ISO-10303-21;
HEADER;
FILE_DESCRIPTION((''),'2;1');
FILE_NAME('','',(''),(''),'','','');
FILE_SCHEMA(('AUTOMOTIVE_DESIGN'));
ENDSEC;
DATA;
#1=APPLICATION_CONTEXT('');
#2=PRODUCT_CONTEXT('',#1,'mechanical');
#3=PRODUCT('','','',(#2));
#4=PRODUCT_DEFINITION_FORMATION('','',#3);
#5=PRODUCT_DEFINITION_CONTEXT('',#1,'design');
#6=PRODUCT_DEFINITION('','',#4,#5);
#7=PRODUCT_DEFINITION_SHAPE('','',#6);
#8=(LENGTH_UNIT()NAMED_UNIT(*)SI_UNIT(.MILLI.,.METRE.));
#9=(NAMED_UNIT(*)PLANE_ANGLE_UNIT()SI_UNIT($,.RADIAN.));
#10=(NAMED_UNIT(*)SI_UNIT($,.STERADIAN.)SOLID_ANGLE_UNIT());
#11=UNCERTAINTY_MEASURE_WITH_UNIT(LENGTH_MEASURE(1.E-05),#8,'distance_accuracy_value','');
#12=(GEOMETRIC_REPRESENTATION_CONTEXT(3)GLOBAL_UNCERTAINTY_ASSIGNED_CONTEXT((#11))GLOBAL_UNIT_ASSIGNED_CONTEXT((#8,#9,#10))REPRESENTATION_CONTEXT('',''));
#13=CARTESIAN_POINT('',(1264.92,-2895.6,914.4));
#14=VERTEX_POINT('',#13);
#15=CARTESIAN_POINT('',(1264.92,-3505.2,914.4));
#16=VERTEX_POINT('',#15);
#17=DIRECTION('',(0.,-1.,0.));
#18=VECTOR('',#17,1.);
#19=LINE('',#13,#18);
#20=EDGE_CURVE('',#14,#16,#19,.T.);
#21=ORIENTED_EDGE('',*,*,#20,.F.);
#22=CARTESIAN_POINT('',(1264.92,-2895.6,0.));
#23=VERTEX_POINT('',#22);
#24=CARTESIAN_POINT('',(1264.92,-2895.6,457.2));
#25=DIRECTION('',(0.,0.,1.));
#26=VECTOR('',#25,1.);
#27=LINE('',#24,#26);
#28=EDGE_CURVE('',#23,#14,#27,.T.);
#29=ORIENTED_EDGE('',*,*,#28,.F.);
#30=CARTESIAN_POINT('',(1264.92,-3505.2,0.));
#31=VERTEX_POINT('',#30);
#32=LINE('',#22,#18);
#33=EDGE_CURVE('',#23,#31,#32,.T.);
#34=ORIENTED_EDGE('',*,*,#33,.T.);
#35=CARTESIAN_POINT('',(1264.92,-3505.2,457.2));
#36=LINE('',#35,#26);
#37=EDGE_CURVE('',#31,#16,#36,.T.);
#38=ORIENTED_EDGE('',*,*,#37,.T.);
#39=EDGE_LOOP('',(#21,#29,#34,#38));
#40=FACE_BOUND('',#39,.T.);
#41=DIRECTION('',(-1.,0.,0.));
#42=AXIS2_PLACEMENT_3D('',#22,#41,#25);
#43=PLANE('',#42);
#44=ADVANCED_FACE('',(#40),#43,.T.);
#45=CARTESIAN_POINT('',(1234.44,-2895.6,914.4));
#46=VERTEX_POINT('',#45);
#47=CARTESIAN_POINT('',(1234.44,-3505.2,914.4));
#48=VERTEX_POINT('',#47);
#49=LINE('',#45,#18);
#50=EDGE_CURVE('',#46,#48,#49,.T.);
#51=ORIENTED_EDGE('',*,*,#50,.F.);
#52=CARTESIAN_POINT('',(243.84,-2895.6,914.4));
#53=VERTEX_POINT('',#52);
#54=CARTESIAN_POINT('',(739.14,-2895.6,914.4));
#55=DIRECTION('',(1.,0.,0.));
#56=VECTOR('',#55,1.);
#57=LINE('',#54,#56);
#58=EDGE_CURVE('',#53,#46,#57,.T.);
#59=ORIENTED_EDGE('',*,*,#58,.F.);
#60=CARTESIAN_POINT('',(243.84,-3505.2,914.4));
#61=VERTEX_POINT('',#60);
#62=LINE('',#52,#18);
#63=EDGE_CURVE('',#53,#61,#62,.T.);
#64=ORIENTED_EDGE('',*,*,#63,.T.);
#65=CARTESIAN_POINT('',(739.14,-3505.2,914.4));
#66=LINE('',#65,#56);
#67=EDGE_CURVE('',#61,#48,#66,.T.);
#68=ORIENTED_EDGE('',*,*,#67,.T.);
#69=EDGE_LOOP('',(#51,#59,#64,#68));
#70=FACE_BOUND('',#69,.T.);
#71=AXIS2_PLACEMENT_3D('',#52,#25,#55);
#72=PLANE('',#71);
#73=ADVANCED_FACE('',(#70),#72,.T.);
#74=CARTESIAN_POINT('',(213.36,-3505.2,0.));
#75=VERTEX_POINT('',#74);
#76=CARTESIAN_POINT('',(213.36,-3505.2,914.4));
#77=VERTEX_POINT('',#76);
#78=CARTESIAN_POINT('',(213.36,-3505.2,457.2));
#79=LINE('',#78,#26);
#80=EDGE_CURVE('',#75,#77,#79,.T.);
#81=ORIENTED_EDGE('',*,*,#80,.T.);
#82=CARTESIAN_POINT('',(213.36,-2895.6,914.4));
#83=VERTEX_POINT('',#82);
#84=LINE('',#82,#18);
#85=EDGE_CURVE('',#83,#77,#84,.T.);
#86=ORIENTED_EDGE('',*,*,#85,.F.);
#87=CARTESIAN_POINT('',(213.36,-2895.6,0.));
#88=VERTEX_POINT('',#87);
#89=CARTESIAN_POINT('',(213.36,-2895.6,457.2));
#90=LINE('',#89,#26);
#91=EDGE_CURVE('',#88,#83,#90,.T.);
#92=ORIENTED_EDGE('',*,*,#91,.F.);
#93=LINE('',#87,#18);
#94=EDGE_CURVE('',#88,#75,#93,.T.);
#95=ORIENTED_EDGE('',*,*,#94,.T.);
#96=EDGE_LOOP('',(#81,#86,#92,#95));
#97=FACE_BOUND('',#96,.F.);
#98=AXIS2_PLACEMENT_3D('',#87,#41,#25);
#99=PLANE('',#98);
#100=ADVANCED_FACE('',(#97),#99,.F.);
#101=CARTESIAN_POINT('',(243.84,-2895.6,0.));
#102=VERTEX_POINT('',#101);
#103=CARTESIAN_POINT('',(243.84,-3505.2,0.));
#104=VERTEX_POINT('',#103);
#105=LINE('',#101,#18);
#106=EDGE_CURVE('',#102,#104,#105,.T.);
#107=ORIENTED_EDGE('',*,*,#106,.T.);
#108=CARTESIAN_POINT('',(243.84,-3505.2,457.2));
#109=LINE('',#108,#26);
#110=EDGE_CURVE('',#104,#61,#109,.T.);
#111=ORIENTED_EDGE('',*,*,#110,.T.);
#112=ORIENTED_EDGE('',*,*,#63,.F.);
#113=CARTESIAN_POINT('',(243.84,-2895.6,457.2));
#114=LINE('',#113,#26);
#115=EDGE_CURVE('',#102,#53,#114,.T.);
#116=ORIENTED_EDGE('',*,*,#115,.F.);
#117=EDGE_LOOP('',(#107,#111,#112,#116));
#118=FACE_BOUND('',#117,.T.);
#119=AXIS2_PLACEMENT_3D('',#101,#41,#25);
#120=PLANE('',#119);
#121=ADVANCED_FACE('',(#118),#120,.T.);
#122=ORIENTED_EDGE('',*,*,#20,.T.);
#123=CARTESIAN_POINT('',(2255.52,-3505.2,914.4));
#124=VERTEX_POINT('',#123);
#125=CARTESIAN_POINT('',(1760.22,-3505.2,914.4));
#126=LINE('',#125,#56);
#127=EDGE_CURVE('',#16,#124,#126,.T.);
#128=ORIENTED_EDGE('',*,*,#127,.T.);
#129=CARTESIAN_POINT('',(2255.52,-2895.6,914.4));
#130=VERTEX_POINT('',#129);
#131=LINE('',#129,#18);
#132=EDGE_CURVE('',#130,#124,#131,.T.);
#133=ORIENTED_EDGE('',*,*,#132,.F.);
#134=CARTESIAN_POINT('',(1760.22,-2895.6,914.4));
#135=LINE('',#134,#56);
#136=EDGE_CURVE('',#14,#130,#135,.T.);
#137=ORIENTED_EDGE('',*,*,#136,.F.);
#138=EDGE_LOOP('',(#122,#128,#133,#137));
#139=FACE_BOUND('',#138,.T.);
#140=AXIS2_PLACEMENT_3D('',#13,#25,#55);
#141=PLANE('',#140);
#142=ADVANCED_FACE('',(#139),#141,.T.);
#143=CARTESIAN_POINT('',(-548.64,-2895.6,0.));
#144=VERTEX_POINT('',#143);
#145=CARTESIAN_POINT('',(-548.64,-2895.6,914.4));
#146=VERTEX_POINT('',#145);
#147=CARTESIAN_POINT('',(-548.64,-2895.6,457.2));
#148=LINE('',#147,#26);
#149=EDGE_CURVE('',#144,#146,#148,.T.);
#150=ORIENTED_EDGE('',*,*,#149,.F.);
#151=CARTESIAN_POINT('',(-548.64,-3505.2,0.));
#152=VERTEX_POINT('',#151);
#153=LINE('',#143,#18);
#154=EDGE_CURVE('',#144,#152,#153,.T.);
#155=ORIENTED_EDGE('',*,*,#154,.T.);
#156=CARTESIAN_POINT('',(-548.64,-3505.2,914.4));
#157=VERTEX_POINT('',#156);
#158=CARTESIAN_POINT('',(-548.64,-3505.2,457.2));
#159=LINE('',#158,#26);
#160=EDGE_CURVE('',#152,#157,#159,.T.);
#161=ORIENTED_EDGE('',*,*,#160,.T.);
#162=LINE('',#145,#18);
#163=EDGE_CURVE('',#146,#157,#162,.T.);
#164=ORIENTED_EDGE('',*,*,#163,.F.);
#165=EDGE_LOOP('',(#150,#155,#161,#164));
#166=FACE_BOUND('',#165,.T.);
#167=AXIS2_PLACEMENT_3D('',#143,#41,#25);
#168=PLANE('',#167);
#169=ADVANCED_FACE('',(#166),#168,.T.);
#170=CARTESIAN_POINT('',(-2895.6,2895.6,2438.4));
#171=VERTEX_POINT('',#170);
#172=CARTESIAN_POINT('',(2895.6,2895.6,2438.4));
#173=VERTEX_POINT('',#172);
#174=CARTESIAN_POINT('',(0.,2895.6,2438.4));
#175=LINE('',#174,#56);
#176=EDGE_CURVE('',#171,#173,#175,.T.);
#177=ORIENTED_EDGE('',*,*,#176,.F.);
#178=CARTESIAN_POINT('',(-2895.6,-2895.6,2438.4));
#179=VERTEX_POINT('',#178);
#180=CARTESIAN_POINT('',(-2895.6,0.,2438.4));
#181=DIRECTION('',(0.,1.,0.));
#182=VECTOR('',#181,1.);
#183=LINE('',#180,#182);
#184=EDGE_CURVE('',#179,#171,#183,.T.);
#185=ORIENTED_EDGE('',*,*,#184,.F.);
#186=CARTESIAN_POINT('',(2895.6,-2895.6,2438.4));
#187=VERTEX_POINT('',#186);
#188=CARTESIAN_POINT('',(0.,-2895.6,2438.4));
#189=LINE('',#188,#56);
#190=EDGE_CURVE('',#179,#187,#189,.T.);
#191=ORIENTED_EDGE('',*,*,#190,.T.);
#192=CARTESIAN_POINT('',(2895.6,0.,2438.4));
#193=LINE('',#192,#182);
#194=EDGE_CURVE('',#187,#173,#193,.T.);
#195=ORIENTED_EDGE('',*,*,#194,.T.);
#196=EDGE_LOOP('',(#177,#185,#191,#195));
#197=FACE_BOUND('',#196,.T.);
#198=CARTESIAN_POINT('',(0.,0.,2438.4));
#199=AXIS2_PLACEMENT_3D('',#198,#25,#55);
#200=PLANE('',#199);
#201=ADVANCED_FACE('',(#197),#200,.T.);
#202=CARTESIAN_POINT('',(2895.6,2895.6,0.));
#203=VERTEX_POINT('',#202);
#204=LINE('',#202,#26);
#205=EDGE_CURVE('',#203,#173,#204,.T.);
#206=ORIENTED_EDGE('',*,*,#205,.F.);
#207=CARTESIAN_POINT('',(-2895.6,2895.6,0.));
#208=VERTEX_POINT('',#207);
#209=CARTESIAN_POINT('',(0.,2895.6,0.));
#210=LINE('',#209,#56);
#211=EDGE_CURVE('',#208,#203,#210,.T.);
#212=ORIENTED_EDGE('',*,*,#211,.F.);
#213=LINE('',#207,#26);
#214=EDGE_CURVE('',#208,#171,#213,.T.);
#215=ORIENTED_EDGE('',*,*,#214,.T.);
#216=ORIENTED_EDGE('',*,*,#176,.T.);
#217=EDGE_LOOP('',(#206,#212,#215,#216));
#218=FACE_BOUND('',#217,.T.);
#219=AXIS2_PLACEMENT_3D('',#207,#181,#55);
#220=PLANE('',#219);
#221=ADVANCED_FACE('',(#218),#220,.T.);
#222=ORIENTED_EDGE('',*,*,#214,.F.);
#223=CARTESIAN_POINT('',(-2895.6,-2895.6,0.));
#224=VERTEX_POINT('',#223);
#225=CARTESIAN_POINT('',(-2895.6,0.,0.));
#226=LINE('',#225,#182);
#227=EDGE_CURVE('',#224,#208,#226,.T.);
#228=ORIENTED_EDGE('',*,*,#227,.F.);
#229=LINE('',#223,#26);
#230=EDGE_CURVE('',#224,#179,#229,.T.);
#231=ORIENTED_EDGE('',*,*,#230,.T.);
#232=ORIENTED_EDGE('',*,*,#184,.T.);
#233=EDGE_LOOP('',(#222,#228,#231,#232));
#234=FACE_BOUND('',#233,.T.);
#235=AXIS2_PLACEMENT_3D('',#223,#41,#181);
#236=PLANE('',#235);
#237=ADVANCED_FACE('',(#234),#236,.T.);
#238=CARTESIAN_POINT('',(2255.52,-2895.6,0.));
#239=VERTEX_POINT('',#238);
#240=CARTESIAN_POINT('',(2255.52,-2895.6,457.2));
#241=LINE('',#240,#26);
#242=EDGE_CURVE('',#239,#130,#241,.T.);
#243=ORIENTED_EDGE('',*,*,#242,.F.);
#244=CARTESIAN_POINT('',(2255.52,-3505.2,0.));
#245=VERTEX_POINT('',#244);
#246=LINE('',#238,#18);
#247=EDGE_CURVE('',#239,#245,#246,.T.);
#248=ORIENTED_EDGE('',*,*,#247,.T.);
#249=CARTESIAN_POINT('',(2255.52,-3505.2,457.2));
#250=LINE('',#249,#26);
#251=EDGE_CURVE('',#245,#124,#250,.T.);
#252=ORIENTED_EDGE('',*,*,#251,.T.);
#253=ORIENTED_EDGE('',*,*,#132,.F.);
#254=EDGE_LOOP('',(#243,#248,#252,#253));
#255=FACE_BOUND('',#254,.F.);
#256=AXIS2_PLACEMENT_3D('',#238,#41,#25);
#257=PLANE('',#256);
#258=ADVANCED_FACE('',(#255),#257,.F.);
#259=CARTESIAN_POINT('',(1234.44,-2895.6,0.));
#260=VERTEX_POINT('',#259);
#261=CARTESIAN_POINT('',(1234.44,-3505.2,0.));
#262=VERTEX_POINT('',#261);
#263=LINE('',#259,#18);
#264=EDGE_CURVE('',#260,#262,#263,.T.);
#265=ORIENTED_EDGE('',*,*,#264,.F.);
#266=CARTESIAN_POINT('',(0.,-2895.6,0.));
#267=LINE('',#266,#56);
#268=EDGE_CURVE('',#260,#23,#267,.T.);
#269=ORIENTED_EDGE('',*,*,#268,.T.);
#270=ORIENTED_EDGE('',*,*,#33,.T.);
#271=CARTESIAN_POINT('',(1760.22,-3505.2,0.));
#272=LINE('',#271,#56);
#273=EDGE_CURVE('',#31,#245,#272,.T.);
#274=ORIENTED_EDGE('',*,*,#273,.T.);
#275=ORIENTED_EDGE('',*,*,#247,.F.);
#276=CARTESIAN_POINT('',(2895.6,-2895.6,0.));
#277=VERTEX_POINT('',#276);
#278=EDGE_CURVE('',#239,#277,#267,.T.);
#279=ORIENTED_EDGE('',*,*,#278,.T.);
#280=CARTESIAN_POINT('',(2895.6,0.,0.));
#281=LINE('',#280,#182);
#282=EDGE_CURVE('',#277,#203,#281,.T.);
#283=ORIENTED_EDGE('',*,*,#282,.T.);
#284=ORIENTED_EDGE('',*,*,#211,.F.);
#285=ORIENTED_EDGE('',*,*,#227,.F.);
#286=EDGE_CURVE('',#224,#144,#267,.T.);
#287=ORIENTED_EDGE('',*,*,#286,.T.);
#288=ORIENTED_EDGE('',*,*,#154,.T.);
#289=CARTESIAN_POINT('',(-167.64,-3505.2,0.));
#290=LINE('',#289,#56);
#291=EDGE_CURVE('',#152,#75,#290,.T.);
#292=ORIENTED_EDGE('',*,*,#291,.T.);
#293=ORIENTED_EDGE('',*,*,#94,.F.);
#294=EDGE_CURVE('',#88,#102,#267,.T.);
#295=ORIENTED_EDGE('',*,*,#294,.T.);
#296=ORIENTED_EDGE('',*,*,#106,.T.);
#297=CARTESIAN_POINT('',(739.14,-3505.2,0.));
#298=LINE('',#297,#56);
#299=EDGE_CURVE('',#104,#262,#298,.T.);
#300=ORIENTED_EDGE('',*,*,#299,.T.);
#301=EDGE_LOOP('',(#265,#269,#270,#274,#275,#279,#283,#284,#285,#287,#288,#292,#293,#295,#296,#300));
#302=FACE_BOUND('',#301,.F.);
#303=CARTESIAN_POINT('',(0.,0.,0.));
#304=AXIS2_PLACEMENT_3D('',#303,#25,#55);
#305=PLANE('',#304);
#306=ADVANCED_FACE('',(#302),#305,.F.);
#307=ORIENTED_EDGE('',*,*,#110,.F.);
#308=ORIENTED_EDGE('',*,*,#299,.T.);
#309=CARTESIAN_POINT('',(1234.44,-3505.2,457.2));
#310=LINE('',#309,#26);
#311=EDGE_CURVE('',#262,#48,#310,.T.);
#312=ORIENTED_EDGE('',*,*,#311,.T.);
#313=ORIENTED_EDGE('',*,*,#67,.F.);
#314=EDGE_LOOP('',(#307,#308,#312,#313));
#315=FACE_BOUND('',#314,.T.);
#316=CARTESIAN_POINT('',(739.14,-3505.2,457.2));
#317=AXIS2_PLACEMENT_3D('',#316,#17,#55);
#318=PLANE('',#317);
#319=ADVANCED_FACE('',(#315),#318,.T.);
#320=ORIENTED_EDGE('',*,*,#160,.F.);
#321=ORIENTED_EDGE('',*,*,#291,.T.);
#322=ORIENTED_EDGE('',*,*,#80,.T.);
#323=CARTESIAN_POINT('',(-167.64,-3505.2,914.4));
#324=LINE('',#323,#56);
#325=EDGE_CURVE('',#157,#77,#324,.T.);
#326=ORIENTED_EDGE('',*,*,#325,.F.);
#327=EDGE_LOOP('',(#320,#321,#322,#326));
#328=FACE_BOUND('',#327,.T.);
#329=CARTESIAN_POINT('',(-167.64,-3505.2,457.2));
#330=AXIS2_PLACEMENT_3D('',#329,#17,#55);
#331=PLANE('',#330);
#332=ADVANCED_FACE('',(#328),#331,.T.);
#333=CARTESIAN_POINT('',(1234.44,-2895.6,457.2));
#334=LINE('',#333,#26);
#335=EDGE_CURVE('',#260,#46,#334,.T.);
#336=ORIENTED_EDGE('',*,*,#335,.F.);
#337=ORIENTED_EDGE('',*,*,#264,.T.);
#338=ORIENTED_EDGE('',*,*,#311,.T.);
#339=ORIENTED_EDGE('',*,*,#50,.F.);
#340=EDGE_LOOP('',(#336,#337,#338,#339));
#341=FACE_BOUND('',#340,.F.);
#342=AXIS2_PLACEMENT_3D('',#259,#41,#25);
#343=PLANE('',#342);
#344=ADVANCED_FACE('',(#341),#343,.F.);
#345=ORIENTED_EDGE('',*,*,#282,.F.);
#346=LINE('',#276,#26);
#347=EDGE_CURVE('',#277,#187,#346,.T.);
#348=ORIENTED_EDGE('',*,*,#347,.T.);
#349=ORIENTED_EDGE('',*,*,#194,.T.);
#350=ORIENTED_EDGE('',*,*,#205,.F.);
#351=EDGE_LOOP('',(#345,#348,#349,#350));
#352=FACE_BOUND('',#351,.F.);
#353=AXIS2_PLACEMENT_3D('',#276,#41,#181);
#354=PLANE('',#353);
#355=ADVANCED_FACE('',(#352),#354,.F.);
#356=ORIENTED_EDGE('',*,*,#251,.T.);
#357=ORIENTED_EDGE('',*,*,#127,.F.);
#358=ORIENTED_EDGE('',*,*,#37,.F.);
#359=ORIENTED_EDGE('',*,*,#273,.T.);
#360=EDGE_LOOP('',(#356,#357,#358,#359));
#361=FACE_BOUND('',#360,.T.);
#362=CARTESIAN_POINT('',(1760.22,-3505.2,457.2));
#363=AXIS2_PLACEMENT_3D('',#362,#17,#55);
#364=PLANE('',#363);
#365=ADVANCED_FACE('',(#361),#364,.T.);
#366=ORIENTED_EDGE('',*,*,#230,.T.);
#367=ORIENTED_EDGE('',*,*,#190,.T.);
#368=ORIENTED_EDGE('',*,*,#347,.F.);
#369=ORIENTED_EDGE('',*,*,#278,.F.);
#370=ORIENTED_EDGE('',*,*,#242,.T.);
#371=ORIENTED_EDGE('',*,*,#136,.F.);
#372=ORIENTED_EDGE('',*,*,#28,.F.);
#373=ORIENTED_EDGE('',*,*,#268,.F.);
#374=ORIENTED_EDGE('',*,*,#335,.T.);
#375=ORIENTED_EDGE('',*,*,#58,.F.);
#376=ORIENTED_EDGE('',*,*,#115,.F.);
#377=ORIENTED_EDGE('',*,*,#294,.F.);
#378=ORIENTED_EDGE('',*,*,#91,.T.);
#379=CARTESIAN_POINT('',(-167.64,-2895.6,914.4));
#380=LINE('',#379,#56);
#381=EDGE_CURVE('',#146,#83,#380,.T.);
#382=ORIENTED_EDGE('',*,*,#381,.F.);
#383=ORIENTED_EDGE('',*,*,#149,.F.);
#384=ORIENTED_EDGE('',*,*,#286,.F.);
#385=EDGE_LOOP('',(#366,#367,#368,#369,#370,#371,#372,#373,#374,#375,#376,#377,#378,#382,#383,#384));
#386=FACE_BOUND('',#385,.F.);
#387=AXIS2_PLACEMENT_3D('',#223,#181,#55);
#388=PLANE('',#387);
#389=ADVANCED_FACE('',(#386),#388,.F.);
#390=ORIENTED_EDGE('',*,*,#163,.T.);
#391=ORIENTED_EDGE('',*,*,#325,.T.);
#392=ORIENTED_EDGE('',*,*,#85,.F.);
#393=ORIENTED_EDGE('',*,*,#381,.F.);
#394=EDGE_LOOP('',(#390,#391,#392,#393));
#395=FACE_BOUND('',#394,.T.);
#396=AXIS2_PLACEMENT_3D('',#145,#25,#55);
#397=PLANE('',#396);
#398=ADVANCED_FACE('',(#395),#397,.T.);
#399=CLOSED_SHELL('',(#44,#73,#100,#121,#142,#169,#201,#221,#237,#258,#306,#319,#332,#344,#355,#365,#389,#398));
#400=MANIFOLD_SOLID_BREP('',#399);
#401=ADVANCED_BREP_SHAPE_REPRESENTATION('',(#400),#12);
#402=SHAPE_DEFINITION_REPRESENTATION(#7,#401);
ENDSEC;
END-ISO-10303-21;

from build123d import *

# Parameters (mm, degrees)
F0_W     = 5791.2
F0_H     = 5791.2
F1_DEPTH = 2438.4
F2_W     = 762
F2_H     = 914.4
F2_W_2   = 990.6
F3_DEPTH = 609.6


with BuildPart() as f1:
    # F0 (on Top) → F1 (new body)
    with BuildSketch(Plane.XY):
        Rectangle(F0_W, F0_H)
    extrude(amount=F1_DEPTH)

    # F2 (on face) → F3 (join)
    with BuildSketch(Plane.XZ.offset(2895.6)):
        with Locations((-167.64, 457.2)):
            Rectangle(F2_W, F2_H)
        with Locations((739.14, 457.2)):
            Rectangle(F2_W_2, F2_H)
        with Locations((1760.22, 457.2)):
            Rectangle(F2_W_2, F2_H)
    extrude(amount=F3_DEPTH)


solid = f1.part
